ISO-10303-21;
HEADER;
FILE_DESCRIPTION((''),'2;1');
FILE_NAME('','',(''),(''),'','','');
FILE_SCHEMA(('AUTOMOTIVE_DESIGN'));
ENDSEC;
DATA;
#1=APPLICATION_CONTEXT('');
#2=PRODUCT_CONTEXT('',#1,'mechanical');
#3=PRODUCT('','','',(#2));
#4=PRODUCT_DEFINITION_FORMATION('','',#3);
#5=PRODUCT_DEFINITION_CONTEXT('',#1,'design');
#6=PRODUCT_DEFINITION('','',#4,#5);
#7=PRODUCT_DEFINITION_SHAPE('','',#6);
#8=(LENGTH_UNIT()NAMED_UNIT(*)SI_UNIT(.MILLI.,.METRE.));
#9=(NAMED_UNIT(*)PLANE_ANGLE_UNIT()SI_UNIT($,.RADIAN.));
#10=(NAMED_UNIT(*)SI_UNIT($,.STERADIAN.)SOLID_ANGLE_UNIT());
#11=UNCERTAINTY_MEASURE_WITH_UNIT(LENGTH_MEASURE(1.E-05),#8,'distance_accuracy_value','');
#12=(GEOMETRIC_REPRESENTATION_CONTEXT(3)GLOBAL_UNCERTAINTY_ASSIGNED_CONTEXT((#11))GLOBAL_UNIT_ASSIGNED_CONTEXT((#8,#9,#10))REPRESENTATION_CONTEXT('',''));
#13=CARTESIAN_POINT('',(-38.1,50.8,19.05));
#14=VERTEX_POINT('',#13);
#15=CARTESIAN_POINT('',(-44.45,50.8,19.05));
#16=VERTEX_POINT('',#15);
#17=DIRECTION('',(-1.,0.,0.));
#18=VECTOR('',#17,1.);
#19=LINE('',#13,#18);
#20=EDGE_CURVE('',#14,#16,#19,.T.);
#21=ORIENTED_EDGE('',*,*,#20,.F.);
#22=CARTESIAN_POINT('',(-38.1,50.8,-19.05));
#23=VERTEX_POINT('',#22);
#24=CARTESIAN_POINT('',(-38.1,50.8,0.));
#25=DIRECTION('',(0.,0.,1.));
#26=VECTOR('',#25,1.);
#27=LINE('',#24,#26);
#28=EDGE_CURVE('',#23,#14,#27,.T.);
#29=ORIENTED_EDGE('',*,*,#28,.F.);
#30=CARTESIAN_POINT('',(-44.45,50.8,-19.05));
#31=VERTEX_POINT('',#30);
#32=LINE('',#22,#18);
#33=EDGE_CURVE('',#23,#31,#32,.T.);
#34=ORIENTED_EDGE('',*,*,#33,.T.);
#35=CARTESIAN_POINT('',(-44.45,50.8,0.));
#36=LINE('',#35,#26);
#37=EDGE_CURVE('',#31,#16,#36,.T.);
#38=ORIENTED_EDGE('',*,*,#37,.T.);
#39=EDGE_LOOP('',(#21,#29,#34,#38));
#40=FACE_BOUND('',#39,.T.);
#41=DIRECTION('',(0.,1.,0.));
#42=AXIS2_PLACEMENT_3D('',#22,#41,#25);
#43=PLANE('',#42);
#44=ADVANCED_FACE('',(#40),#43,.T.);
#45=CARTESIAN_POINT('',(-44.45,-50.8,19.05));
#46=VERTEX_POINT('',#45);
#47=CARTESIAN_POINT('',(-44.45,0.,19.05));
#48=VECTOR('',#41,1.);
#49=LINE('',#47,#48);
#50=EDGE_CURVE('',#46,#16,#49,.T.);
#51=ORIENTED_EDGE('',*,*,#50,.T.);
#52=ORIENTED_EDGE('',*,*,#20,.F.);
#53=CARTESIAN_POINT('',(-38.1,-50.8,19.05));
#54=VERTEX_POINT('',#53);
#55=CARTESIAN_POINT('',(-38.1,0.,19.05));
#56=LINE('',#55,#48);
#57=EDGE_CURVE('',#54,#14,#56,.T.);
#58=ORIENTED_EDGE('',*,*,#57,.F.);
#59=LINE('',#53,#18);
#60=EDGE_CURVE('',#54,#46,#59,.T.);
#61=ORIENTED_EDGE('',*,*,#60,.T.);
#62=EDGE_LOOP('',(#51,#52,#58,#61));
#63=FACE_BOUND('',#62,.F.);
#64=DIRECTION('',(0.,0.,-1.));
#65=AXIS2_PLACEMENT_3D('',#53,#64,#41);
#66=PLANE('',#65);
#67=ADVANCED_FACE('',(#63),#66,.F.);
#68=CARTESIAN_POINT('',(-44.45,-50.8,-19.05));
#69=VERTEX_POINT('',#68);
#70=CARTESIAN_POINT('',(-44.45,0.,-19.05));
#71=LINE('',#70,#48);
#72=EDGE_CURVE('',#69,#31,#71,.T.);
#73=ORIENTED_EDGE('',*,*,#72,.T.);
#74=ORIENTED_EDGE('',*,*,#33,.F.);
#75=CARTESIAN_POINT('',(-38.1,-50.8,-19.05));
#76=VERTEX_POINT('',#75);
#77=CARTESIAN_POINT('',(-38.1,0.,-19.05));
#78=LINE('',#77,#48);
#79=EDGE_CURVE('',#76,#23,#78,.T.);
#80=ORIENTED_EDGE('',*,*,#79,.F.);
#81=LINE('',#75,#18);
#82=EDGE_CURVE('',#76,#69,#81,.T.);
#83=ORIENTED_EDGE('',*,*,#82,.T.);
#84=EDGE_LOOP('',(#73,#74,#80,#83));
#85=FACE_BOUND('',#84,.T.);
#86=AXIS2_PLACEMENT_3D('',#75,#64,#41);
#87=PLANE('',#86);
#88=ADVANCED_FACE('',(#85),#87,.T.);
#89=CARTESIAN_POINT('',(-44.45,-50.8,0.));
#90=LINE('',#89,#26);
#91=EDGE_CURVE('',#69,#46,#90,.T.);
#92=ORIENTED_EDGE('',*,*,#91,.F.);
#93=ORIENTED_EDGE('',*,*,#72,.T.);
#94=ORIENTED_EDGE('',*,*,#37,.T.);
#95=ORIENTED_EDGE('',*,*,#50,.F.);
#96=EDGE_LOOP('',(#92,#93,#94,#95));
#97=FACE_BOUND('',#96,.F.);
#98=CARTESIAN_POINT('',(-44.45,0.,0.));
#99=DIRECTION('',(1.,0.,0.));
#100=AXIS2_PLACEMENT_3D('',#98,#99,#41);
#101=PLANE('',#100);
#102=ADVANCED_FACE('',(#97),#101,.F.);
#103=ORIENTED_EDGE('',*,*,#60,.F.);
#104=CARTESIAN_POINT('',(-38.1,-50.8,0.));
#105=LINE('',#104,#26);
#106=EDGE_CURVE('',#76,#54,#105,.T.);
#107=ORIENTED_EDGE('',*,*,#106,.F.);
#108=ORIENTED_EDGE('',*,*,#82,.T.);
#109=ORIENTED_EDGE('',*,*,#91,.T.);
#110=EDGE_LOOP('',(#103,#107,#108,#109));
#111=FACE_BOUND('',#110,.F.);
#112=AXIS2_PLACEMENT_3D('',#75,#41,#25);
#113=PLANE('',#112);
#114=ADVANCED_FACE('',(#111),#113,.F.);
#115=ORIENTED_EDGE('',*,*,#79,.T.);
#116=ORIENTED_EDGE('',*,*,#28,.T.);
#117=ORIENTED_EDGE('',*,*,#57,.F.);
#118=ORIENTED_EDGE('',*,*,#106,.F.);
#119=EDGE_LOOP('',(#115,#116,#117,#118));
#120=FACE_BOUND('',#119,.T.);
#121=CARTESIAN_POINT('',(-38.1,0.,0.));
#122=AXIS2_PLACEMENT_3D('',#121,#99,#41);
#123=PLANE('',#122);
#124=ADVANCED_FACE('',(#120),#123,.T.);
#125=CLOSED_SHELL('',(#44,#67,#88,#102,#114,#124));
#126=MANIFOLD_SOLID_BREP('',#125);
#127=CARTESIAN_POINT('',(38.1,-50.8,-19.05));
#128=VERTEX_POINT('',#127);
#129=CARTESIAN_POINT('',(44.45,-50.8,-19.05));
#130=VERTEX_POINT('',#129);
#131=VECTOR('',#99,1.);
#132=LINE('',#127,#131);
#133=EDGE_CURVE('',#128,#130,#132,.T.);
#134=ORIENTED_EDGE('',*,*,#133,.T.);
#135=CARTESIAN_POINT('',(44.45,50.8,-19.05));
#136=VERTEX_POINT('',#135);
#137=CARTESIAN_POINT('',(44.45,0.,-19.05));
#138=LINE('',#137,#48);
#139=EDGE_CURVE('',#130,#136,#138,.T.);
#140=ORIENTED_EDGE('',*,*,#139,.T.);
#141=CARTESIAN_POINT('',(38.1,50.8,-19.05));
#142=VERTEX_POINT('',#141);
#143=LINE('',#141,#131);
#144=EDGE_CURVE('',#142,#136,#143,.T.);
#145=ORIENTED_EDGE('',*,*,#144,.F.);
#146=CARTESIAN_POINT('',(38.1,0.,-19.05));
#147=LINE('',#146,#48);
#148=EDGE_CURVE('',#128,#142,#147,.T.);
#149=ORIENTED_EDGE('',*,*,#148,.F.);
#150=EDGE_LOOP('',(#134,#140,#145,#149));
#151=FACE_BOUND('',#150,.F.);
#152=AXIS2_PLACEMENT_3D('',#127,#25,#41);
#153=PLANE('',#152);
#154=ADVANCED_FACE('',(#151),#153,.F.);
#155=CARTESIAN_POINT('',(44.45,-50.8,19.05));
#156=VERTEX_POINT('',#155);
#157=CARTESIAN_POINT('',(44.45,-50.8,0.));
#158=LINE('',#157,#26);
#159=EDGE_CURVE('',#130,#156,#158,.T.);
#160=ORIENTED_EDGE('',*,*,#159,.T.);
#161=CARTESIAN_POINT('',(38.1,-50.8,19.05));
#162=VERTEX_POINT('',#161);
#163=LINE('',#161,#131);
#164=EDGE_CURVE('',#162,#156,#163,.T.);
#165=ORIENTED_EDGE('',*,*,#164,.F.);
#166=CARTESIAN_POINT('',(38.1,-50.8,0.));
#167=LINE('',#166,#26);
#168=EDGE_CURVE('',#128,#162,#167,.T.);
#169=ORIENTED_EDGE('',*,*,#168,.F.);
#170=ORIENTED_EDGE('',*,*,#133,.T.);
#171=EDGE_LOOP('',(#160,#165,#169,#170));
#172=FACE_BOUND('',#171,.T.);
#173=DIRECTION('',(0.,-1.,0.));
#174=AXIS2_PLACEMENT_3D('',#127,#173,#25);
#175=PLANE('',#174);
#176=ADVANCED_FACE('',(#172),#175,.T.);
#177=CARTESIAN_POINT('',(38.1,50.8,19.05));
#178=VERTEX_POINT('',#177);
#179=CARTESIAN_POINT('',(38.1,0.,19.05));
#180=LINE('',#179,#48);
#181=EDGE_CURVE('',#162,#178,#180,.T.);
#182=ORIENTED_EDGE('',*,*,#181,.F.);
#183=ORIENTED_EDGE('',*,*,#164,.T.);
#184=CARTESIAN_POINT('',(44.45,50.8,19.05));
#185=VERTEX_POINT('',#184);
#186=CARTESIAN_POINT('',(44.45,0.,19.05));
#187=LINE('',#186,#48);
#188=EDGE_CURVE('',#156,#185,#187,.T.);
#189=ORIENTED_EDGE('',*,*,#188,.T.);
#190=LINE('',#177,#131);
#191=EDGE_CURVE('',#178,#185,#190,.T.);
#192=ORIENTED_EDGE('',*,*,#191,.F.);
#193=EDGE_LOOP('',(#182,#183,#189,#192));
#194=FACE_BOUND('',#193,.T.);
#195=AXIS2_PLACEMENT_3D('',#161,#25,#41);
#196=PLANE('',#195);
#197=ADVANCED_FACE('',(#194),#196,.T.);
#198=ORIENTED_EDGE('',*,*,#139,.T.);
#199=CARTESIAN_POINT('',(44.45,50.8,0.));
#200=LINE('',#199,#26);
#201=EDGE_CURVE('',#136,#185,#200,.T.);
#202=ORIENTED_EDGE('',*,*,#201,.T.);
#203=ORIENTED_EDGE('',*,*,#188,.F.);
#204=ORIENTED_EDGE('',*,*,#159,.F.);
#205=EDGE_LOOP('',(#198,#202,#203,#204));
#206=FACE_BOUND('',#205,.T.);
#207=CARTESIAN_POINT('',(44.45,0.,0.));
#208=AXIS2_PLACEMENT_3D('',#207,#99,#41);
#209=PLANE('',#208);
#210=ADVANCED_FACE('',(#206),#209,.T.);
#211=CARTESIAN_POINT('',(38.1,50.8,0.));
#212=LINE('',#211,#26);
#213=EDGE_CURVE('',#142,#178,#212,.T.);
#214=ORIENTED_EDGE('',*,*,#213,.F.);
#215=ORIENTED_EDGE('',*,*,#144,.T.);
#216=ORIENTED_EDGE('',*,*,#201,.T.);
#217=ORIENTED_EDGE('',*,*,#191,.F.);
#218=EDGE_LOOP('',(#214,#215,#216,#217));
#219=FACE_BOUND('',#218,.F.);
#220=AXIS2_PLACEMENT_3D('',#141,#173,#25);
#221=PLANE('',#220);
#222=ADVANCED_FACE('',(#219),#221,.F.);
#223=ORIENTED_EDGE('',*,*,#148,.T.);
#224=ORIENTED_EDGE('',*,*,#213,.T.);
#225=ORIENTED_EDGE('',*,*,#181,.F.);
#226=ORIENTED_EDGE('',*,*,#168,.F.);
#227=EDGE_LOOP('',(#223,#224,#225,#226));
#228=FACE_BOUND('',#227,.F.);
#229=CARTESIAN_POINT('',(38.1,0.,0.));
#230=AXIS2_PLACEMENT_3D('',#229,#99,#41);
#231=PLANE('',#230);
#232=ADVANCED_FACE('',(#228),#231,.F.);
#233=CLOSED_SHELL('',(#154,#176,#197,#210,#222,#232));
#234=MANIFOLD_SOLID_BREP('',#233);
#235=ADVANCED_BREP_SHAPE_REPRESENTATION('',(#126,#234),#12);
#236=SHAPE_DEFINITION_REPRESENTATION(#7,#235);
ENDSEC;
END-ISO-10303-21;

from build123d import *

# Parameters (mm, degrees)
F3_W     = 101.6
F3_H     = 38.1
F4_DEPTH = 6.35
F2_W     = 101.6
F2_H     = 38.1
F5_DEPTH = 6.35


with BuildPart() as f4:
    # F3 (on offset) → F4 (new body)
    with BuildSketch(Plane.YZ.offset(38.1)):
        Rectangle(F3_W, F3_H)
    extrude(amount=F4_DEPTH)


with BuildPart() as f5:
    # F2 (on offset) → F5 (new body)
    with BuildSketch(Plane.YZ.offset(-38.1)):
        Rectangle(F2_W, F2_H)
    extrude(amount=-F5_DEPTH)


solid = Compound([f4.part, f5.part])
